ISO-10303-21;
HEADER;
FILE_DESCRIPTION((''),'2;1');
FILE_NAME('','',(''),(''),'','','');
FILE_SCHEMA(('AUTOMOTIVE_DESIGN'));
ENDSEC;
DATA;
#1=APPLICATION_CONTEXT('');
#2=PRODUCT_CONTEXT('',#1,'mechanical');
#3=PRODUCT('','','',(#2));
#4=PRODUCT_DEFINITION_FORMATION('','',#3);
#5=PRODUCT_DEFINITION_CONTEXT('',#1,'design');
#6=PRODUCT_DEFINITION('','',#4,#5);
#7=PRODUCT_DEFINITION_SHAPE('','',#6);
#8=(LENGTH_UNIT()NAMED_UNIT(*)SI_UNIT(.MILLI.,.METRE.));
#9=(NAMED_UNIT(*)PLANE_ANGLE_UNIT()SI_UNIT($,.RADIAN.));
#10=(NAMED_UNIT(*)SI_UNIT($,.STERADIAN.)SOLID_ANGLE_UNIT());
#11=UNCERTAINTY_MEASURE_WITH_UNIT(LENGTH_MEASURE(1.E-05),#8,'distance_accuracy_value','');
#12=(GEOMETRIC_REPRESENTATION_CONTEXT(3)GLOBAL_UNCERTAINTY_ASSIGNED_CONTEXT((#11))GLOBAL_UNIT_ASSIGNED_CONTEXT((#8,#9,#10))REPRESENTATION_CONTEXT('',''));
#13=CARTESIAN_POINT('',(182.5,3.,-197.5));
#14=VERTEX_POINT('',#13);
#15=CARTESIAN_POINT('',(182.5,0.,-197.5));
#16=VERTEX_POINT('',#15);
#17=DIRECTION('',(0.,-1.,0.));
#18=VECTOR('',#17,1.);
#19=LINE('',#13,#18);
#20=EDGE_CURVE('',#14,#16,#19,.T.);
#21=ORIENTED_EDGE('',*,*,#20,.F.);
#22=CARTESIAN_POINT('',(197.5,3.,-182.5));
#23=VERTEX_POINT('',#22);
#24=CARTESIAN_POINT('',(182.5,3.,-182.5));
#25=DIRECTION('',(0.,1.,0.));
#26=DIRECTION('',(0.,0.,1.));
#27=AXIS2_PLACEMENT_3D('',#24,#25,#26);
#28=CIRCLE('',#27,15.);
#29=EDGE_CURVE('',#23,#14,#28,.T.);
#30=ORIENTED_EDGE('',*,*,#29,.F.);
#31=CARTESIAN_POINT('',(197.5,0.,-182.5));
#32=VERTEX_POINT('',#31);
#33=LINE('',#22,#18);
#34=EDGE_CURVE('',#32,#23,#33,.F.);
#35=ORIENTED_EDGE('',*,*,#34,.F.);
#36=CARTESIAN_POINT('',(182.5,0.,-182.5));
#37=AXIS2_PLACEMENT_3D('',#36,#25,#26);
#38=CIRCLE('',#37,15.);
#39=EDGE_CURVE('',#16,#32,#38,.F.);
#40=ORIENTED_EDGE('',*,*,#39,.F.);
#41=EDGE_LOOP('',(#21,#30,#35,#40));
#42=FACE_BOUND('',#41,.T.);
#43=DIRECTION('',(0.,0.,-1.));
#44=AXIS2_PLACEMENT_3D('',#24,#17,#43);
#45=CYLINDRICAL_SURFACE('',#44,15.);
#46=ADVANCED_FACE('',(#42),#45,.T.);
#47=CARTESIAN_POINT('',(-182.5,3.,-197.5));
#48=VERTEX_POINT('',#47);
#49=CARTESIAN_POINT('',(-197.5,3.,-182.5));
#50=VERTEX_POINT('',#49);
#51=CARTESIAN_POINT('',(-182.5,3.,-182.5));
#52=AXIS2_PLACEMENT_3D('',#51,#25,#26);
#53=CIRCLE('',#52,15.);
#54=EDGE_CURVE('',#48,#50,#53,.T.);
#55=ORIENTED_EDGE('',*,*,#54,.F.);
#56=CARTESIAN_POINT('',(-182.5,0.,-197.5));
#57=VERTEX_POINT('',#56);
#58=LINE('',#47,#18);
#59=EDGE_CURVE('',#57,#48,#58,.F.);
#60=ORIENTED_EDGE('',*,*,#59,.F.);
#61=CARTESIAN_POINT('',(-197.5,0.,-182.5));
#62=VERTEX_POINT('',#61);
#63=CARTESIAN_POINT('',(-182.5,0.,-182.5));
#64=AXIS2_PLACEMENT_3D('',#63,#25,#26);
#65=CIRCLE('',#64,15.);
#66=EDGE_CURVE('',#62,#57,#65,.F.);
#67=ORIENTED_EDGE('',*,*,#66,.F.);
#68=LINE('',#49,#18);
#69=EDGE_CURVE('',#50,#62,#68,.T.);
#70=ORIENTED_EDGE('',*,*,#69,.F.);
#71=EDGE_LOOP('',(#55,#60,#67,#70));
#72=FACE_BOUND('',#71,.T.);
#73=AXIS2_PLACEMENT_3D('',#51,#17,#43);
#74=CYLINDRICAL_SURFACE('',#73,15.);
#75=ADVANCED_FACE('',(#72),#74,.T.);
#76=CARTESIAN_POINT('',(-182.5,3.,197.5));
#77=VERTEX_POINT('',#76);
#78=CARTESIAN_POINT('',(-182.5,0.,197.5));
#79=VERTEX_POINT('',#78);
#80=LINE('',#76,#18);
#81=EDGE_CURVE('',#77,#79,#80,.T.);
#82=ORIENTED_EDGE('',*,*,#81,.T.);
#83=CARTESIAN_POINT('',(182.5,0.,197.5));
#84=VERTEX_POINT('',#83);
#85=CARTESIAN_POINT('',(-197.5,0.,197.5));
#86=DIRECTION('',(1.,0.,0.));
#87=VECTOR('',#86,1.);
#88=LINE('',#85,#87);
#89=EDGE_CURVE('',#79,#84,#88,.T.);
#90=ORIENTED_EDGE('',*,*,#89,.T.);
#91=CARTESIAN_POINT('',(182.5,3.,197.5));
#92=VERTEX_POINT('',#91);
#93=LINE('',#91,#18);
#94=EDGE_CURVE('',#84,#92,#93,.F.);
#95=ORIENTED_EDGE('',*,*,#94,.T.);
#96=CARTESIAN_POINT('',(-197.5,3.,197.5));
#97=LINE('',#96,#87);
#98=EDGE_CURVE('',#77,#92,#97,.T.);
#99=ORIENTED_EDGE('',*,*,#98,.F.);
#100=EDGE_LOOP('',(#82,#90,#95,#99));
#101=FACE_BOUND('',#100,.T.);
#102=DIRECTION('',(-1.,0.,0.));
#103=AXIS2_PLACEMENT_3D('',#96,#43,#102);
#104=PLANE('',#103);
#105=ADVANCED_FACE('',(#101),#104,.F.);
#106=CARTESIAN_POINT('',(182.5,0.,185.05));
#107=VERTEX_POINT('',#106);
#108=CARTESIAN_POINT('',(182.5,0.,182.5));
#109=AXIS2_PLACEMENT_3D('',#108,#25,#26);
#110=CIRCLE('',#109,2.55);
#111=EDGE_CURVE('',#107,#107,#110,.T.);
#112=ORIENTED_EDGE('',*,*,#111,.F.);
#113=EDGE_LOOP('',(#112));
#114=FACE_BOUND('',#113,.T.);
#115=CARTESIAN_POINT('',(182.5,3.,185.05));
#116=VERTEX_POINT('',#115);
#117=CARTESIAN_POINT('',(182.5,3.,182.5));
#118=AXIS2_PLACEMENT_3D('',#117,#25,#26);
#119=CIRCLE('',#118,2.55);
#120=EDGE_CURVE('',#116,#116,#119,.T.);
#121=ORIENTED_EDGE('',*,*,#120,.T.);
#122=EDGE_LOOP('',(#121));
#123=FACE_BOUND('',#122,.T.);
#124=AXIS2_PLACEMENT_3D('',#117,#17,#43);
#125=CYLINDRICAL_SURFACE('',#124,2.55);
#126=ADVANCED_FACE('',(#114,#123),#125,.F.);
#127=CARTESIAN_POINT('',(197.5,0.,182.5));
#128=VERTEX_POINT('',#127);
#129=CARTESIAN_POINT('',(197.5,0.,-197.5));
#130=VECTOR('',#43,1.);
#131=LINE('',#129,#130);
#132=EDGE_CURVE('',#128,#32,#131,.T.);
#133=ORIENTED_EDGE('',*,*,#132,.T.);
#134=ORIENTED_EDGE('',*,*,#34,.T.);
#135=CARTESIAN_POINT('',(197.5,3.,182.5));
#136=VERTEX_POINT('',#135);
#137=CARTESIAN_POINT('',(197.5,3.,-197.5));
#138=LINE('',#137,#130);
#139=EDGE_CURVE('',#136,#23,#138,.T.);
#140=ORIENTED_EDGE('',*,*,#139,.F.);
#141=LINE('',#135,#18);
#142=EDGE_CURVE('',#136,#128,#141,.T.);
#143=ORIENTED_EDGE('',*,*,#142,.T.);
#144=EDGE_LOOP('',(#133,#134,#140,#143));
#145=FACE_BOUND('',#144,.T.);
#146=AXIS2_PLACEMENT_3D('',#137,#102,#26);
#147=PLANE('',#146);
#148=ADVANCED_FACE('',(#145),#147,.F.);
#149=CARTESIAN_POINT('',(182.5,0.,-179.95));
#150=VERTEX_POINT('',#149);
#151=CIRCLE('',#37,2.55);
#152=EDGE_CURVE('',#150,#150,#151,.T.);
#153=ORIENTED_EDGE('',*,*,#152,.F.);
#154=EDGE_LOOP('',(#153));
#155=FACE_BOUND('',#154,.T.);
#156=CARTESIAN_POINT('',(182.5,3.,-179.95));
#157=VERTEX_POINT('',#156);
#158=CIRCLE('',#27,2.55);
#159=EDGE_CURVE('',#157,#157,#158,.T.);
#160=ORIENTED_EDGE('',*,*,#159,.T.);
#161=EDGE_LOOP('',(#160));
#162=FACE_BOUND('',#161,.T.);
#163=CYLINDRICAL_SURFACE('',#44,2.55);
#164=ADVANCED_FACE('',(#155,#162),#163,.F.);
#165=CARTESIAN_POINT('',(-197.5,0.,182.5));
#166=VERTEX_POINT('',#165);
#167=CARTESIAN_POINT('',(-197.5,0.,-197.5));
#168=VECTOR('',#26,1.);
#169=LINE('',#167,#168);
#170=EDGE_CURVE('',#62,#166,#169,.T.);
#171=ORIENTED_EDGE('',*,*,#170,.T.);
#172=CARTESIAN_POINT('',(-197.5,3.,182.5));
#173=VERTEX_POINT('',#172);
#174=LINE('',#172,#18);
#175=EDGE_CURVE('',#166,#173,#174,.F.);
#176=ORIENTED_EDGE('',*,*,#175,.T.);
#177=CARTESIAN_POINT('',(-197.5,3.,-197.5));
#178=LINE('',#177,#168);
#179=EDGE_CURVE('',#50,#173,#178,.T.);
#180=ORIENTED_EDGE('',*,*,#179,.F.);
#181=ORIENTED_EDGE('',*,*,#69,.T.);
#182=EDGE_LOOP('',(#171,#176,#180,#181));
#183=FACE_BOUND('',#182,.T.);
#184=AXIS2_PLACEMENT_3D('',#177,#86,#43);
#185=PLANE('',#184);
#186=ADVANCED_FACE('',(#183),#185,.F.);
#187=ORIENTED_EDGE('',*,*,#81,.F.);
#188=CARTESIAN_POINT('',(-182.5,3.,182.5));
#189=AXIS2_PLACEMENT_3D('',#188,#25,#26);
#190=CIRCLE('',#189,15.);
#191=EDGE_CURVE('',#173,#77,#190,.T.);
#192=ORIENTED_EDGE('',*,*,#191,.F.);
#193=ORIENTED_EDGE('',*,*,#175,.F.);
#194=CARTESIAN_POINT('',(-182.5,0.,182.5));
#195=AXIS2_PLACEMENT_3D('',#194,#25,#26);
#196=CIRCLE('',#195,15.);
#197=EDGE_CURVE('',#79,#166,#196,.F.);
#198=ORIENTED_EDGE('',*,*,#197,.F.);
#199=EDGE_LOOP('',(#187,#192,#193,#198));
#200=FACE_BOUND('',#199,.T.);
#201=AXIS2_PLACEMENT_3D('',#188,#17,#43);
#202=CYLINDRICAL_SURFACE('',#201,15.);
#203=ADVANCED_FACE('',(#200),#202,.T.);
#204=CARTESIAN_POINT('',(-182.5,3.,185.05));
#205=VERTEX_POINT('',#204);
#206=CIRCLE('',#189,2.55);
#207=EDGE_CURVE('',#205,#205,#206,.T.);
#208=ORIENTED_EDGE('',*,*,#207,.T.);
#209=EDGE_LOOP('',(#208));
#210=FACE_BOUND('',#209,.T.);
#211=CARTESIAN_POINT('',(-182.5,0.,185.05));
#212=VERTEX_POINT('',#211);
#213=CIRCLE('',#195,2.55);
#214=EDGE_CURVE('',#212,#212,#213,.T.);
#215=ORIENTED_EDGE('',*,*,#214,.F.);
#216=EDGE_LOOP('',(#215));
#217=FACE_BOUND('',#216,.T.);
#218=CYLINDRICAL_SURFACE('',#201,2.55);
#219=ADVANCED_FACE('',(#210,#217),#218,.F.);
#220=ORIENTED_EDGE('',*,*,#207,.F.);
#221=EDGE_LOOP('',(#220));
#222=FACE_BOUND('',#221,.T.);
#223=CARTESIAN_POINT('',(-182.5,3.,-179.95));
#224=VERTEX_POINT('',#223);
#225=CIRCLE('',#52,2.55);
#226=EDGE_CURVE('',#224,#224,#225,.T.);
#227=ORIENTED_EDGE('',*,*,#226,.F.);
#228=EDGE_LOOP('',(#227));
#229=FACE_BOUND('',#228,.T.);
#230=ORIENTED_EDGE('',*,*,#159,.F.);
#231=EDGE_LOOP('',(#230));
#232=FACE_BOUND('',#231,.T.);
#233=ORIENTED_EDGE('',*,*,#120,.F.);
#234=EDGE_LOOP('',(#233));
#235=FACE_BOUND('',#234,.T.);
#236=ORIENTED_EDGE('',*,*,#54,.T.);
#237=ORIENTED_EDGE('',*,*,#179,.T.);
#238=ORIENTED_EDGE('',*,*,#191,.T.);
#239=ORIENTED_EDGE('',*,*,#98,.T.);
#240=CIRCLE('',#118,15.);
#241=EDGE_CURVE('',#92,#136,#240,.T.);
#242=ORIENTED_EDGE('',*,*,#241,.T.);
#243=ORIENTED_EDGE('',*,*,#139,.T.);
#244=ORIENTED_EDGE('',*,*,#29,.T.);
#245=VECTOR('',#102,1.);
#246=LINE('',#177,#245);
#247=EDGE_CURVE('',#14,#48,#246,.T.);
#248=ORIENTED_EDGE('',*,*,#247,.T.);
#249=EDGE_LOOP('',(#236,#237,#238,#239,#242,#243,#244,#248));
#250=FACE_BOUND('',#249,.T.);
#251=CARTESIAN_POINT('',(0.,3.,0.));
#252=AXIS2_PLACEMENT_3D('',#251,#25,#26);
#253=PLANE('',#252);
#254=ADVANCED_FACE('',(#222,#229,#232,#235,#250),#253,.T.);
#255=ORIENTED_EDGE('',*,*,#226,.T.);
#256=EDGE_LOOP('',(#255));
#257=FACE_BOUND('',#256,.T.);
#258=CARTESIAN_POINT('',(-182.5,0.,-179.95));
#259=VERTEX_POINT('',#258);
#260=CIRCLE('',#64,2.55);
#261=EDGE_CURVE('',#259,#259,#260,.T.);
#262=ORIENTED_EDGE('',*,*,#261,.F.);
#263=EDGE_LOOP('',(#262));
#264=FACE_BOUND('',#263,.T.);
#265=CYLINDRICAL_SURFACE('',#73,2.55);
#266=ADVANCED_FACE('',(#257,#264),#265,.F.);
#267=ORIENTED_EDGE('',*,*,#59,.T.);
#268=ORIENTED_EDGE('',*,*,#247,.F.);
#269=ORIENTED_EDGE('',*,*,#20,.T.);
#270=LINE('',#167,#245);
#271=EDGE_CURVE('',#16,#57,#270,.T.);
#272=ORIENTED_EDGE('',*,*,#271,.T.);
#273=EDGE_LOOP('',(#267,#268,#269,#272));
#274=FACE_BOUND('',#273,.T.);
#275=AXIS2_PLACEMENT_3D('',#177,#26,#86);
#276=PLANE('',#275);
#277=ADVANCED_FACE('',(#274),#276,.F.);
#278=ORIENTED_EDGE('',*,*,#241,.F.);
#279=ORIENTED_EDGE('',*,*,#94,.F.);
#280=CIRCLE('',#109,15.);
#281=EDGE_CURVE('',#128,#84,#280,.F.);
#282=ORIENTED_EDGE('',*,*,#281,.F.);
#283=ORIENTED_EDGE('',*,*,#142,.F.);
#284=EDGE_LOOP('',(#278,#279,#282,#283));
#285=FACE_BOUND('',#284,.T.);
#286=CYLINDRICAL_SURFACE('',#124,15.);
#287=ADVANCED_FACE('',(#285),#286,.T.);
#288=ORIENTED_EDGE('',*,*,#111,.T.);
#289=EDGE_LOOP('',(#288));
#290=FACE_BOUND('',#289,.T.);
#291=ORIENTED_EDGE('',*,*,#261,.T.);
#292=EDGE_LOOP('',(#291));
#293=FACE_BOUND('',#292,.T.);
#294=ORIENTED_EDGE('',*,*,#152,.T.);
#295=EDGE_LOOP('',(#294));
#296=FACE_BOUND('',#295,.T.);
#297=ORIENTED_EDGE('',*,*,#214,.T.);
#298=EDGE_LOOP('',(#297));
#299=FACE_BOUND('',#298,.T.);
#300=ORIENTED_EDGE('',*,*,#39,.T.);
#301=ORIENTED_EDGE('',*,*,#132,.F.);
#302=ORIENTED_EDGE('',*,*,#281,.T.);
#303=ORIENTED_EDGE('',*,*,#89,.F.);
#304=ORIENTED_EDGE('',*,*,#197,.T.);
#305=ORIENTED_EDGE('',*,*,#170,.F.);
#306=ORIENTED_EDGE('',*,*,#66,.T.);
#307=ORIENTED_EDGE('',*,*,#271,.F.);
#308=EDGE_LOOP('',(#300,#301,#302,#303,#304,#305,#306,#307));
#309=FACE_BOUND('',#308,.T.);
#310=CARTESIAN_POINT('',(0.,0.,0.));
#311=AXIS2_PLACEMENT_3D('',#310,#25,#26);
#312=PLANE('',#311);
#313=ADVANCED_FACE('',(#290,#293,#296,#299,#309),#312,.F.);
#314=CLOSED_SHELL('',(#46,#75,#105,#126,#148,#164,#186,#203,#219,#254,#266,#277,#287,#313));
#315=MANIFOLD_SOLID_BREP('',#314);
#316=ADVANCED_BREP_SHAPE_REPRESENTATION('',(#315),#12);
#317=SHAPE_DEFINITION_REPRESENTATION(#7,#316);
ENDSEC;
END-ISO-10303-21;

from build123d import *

# Parameters (mm, degrees)
SKETCH1_W           = 395
SKETCH1_H           = 395
SKETCH1_R           = 2.55
BOSS_EXTRUDE1_DEPTH = 3
FILLET1_R           = 15


with BuildPart() as part:
    # Sketch1 → Boss-Extrude1 (new body)
    with BuildSketch(Plane(origin=(0, 0, 0), x_dir=(1, 0, 0), z_dir=(0, 1, 0))):
        Rectangle(SKETCH1_W, SKETCH1_H)
        with Locations((-182.5, 182.5)):
            Circle(SKETCH1_R, mode=Mode.SUBTRACT)
        with Locations((182.5, 182.5)):
            Circle(SKETCH1_R, mode=Mode.SUBTRACT)
        with Locations((182.5, -182.5)):
            Circle(SKETCH1_R, mode=Mode.SUBTRACT)
        with Locations((-182.5, -182.5)):
            Circle(SKETCH1_R, mode=Mode.SUBTRACT)
    extrude(amount=BOSS_EXTRUDE1_DEPTH)

    # Fillet1
    fillet1_edges = [part.edges().sort_by_distance(p)[0] for p in [
        (197.5, 1.5, 197.5),
        (-197.5, 1.5, 197.5),
        (-197.5, 1.5, -197.5),
        (197.5, 1.5, -197.5),
    ]]
    fillet(fillet1_edges, radius=FILLET1_R)


solid = part.part
